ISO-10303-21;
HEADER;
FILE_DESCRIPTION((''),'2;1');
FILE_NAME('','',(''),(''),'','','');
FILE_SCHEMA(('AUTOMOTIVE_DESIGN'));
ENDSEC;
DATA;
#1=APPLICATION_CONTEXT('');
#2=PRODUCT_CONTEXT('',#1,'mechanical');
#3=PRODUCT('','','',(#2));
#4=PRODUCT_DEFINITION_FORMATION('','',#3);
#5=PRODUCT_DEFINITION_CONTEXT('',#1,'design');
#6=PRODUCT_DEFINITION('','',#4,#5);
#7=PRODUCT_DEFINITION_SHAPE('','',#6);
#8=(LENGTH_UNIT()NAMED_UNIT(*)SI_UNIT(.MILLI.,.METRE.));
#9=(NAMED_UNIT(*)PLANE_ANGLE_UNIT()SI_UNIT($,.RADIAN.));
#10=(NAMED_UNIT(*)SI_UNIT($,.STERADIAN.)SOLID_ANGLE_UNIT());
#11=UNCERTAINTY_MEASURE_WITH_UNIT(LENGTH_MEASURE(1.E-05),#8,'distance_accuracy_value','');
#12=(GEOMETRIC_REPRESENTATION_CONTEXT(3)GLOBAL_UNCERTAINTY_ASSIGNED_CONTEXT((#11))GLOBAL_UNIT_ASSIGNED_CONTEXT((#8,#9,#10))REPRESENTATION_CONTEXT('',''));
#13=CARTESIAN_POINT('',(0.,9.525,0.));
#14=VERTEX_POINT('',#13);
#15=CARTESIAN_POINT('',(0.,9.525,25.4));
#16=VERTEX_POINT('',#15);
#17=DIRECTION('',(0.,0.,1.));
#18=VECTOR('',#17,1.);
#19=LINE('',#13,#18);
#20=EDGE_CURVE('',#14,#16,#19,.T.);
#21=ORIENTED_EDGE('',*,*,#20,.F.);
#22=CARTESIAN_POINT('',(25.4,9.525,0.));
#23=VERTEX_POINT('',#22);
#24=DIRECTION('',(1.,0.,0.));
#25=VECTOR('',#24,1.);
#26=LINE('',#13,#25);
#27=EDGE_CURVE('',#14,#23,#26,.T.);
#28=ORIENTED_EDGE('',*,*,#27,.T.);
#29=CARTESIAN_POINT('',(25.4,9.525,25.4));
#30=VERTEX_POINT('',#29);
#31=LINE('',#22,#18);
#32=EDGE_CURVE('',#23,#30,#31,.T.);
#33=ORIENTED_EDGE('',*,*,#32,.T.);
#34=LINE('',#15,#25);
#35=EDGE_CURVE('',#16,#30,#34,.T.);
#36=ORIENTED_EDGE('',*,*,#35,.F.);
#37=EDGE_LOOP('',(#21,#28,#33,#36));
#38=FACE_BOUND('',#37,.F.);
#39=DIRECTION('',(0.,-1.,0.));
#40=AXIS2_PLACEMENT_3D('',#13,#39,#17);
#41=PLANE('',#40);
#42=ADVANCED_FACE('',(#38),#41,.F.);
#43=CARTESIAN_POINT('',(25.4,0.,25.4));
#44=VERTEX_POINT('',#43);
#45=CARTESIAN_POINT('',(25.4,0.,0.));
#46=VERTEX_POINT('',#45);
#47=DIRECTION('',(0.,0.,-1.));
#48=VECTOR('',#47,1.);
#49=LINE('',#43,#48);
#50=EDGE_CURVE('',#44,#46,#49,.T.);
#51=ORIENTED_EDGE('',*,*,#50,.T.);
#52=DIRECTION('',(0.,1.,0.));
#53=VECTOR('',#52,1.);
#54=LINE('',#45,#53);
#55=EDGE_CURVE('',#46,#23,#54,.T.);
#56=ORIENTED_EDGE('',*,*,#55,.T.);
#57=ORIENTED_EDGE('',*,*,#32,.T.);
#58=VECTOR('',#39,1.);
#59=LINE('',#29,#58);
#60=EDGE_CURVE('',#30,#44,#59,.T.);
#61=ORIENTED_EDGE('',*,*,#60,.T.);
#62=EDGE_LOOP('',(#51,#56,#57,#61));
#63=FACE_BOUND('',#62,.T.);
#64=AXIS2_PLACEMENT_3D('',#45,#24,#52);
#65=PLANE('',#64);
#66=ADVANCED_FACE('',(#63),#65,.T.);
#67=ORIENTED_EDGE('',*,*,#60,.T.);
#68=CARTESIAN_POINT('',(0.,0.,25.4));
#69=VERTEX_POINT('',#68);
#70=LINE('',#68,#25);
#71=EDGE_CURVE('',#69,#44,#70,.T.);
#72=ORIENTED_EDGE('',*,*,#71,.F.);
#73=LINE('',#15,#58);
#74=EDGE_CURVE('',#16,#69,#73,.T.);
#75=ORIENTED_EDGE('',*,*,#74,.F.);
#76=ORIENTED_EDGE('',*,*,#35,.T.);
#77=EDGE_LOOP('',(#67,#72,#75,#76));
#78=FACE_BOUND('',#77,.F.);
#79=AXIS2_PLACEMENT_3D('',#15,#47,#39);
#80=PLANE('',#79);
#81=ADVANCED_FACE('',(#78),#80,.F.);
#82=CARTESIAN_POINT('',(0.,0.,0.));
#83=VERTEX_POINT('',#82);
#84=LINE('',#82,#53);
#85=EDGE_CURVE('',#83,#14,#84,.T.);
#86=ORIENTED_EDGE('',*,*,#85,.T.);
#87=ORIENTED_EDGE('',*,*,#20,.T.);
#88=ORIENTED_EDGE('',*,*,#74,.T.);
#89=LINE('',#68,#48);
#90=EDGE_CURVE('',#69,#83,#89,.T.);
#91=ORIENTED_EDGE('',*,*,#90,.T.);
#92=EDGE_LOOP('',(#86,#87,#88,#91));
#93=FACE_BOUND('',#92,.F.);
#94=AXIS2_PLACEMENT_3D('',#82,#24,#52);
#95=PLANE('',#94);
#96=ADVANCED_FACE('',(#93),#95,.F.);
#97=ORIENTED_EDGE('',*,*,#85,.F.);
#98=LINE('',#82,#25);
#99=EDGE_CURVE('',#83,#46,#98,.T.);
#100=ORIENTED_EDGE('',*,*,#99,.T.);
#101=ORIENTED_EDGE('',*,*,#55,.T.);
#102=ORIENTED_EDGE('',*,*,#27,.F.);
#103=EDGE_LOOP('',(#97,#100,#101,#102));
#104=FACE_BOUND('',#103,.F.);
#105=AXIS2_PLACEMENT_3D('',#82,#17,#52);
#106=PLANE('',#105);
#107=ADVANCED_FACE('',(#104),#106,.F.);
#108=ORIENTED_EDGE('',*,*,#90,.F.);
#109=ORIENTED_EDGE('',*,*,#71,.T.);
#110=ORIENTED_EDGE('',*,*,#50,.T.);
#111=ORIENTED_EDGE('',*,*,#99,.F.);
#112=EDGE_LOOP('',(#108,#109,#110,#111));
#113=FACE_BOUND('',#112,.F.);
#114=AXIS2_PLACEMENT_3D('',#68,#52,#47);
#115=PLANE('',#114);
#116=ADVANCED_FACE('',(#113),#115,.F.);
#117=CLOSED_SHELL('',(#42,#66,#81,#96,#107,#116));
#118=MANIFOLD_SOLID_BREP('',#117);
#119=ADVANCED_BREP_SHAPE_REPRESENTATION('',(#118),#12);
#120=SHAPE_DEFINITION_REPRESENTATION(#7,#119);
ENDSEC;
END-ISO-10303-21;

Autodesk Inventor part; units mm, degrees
ref_plane "YZ Plane" through (0, 0, 0) normal (1, 0, 0) x (0, 1, 0)
ref_plane "XZ Plane" through (0, 0, 0) normal (0, 1, 0) x (-1, 0, 0)
ref_plane "XY Plane" through (0, 0, 0) normal (0, 0, 1) x (1, 0, 0)
sketch "Sketch1" plane through (0, 0, 0) normal (1, 0, 0) x (0, 1, 0)
  line L0 (0, 0) -> (9.525, 0)
  line L1 (9.525, 0) -> (9.525, 25.4)
  line L2 (9.525, 25.4) -> (0, 25.4)
  line L3 (0, 25.4) -> (0, 0)
  dimension "d0" = 9.525
  dimension "d1" = 25.4
extrude "Extrusion1" add sketch "Sketch1" along normal blind 25.4
properties part number "slide spacer"
